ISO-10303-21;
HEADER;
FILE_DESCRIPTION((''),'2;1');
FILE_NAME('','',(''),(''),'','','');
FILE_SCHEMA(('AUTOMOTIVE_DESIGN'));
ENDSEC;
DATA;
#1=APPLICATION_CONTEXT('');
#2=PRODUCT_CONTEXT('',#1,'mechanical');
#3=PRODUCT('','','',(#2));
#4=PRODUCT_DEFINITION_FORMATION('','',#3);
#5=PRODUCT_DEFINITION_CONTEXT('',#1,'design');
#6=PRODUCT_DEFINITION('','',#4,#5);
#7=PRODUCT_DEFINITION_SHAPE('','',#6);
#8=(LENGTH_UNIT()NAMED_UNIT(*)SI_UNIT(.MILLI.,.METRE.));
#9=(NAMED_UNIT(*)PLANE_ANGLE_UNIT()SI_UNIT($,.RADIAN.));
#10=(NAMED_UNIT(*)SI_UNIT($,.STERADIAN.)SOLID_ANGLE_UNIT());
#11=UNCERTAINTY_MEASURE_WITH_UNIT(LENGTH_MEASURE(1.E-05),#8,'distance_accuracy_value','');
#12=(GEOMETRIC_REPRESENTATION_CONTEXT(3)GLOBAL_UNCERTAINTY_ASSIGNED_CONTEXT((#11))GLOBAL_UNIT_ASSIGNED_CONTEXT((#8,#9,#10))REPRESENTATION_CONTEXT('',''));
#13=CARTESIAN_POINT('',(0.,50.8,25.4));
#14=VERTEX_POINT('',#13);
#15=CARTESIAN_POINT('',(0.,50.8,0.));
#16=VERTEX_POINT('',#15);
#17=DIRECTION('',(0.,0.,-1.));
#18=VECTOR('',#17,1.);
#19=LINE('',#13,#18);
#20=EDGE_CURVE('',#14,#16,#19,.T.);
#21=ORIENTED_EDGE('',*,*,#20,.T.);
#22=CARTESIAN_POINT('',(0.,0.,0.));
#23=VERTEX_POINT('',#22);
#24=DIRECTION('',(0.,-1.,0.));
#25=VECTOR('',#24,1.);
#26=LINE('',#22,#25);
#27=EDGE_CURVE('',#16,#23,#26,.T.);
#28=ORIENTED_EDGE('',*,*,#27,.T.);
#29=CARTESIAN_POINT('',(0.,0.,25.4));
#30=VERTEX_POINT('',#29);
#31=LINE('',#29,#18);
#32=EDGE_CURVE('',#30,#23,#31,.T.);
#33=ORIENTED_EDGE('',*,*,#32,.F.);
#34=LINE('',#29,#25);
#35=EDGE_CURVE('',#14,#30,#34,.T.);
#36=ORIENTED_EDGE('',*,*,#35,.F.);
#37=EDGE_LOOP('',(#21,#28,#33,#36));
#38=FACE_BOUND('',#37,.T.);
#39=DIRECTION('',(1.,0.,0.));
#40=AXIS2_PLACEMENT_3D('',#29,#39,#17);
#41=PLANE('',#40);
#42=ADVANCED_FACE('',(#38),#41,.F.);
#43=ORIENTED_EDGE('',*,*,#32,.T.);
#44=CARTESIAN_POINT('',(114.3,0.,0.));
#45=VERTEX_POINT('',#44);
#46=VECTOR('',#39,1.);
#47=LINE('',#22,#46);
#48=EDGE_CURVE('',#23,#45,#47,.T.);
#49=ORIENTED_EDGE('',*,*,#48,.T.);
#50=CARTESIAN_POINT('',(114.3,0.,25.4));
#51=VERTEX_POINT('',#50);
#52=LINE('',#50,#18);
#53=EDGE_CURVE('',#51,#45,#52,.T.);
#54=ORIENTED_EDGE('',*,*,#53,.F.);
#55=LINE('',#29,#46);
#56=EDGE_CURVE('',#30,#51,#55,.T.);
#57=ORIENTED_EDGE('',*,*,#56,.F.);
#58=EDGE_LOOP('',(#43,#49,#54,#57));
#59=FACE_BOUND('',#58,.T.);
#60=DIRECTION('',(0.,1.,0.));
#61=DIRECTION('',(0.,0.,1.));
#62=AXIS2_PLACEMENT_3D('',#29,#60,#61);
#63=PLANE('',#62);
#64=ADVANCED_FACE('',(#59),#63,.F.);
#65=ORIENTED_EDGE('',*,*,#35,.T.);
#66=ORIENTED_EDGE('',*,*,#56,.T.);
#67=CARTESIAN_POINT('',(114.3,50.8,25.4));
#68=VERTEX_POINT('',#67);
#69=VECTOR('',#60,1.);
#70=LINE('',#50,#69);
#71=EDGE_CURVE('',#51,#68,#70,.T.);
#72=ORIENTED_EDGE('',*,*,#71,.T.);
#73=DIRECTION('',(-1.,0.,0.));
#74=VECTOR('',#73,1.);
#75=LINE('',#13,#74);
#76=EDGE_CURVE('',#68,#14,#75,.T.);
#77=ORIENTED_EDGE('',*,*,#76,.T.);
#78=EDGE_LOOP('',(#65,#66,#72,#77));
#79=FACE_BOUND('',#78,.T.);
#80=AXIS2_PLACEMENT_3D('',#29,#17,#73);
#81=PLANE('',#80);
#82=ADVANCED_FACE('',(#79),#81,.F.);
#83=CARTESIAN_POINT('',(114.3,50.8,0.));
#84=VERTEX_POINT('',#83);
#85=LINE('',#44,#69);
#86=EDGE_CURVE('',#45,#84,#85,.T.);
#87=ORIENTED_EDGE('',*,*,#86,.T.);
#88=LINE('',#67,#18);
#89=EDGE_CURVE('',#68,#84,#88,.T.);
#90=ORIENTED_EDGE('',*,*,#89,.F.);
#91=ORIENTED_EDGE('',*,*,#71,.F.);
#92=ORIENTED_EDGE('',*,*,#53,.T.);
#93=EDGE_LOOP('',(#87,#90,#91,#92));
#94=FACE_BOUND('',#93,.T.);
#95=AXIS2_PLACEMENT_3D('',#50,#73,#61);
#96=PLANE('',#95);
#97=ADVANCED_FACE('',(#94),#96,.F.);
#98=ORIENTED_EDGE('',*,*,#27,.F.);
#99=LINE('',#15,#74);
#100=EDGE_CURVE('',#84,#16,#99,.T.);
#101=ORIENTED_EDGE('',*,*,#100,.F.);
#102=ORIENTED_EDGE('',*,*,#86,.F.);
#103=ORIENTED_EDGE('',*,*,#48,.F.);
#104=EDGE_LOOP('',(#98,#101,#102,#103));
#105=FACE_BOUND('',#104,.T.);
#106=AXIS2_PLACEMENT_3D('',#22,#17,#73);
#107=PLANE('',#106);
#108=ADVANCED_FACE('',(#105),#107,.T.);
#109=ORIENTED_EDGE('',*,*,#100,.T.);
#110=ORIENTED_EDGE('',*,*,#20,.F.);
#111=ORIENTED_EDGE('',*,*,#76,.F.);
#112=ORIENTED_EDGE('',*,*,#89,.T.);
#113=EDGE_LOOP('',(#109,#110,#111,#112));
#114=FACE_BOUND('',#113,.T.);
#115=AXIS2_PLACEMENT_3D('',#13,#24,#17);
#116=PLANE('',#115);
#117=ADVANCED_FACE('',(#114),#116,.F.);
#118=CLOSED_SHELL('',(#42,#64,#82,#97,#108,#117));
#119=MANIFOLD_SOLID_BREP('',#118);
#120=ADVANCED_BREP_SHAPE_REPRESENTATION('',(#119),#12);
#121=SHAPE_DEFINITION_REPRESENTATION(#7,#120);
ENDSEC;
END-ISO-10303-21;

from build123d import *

# Parameters (mm, degrees)
SKETCH1_W           = 114.3
SKETCH1_H           = 50.8
BOSS_EXTRUDE1_DEPTH = 25.4


with BuildPart() as part:
    # Sketch1 → Boss-Extrude1 (new body)
    with BuildSketch(Plane.XY):
        with Locations((57.15, 25.4)):
            Rectangle(SKETCH1_W, SKETCH1_H)
    extrude(amount=BOSS_EXTRUDE1_DEPTH)


solid = part.part
